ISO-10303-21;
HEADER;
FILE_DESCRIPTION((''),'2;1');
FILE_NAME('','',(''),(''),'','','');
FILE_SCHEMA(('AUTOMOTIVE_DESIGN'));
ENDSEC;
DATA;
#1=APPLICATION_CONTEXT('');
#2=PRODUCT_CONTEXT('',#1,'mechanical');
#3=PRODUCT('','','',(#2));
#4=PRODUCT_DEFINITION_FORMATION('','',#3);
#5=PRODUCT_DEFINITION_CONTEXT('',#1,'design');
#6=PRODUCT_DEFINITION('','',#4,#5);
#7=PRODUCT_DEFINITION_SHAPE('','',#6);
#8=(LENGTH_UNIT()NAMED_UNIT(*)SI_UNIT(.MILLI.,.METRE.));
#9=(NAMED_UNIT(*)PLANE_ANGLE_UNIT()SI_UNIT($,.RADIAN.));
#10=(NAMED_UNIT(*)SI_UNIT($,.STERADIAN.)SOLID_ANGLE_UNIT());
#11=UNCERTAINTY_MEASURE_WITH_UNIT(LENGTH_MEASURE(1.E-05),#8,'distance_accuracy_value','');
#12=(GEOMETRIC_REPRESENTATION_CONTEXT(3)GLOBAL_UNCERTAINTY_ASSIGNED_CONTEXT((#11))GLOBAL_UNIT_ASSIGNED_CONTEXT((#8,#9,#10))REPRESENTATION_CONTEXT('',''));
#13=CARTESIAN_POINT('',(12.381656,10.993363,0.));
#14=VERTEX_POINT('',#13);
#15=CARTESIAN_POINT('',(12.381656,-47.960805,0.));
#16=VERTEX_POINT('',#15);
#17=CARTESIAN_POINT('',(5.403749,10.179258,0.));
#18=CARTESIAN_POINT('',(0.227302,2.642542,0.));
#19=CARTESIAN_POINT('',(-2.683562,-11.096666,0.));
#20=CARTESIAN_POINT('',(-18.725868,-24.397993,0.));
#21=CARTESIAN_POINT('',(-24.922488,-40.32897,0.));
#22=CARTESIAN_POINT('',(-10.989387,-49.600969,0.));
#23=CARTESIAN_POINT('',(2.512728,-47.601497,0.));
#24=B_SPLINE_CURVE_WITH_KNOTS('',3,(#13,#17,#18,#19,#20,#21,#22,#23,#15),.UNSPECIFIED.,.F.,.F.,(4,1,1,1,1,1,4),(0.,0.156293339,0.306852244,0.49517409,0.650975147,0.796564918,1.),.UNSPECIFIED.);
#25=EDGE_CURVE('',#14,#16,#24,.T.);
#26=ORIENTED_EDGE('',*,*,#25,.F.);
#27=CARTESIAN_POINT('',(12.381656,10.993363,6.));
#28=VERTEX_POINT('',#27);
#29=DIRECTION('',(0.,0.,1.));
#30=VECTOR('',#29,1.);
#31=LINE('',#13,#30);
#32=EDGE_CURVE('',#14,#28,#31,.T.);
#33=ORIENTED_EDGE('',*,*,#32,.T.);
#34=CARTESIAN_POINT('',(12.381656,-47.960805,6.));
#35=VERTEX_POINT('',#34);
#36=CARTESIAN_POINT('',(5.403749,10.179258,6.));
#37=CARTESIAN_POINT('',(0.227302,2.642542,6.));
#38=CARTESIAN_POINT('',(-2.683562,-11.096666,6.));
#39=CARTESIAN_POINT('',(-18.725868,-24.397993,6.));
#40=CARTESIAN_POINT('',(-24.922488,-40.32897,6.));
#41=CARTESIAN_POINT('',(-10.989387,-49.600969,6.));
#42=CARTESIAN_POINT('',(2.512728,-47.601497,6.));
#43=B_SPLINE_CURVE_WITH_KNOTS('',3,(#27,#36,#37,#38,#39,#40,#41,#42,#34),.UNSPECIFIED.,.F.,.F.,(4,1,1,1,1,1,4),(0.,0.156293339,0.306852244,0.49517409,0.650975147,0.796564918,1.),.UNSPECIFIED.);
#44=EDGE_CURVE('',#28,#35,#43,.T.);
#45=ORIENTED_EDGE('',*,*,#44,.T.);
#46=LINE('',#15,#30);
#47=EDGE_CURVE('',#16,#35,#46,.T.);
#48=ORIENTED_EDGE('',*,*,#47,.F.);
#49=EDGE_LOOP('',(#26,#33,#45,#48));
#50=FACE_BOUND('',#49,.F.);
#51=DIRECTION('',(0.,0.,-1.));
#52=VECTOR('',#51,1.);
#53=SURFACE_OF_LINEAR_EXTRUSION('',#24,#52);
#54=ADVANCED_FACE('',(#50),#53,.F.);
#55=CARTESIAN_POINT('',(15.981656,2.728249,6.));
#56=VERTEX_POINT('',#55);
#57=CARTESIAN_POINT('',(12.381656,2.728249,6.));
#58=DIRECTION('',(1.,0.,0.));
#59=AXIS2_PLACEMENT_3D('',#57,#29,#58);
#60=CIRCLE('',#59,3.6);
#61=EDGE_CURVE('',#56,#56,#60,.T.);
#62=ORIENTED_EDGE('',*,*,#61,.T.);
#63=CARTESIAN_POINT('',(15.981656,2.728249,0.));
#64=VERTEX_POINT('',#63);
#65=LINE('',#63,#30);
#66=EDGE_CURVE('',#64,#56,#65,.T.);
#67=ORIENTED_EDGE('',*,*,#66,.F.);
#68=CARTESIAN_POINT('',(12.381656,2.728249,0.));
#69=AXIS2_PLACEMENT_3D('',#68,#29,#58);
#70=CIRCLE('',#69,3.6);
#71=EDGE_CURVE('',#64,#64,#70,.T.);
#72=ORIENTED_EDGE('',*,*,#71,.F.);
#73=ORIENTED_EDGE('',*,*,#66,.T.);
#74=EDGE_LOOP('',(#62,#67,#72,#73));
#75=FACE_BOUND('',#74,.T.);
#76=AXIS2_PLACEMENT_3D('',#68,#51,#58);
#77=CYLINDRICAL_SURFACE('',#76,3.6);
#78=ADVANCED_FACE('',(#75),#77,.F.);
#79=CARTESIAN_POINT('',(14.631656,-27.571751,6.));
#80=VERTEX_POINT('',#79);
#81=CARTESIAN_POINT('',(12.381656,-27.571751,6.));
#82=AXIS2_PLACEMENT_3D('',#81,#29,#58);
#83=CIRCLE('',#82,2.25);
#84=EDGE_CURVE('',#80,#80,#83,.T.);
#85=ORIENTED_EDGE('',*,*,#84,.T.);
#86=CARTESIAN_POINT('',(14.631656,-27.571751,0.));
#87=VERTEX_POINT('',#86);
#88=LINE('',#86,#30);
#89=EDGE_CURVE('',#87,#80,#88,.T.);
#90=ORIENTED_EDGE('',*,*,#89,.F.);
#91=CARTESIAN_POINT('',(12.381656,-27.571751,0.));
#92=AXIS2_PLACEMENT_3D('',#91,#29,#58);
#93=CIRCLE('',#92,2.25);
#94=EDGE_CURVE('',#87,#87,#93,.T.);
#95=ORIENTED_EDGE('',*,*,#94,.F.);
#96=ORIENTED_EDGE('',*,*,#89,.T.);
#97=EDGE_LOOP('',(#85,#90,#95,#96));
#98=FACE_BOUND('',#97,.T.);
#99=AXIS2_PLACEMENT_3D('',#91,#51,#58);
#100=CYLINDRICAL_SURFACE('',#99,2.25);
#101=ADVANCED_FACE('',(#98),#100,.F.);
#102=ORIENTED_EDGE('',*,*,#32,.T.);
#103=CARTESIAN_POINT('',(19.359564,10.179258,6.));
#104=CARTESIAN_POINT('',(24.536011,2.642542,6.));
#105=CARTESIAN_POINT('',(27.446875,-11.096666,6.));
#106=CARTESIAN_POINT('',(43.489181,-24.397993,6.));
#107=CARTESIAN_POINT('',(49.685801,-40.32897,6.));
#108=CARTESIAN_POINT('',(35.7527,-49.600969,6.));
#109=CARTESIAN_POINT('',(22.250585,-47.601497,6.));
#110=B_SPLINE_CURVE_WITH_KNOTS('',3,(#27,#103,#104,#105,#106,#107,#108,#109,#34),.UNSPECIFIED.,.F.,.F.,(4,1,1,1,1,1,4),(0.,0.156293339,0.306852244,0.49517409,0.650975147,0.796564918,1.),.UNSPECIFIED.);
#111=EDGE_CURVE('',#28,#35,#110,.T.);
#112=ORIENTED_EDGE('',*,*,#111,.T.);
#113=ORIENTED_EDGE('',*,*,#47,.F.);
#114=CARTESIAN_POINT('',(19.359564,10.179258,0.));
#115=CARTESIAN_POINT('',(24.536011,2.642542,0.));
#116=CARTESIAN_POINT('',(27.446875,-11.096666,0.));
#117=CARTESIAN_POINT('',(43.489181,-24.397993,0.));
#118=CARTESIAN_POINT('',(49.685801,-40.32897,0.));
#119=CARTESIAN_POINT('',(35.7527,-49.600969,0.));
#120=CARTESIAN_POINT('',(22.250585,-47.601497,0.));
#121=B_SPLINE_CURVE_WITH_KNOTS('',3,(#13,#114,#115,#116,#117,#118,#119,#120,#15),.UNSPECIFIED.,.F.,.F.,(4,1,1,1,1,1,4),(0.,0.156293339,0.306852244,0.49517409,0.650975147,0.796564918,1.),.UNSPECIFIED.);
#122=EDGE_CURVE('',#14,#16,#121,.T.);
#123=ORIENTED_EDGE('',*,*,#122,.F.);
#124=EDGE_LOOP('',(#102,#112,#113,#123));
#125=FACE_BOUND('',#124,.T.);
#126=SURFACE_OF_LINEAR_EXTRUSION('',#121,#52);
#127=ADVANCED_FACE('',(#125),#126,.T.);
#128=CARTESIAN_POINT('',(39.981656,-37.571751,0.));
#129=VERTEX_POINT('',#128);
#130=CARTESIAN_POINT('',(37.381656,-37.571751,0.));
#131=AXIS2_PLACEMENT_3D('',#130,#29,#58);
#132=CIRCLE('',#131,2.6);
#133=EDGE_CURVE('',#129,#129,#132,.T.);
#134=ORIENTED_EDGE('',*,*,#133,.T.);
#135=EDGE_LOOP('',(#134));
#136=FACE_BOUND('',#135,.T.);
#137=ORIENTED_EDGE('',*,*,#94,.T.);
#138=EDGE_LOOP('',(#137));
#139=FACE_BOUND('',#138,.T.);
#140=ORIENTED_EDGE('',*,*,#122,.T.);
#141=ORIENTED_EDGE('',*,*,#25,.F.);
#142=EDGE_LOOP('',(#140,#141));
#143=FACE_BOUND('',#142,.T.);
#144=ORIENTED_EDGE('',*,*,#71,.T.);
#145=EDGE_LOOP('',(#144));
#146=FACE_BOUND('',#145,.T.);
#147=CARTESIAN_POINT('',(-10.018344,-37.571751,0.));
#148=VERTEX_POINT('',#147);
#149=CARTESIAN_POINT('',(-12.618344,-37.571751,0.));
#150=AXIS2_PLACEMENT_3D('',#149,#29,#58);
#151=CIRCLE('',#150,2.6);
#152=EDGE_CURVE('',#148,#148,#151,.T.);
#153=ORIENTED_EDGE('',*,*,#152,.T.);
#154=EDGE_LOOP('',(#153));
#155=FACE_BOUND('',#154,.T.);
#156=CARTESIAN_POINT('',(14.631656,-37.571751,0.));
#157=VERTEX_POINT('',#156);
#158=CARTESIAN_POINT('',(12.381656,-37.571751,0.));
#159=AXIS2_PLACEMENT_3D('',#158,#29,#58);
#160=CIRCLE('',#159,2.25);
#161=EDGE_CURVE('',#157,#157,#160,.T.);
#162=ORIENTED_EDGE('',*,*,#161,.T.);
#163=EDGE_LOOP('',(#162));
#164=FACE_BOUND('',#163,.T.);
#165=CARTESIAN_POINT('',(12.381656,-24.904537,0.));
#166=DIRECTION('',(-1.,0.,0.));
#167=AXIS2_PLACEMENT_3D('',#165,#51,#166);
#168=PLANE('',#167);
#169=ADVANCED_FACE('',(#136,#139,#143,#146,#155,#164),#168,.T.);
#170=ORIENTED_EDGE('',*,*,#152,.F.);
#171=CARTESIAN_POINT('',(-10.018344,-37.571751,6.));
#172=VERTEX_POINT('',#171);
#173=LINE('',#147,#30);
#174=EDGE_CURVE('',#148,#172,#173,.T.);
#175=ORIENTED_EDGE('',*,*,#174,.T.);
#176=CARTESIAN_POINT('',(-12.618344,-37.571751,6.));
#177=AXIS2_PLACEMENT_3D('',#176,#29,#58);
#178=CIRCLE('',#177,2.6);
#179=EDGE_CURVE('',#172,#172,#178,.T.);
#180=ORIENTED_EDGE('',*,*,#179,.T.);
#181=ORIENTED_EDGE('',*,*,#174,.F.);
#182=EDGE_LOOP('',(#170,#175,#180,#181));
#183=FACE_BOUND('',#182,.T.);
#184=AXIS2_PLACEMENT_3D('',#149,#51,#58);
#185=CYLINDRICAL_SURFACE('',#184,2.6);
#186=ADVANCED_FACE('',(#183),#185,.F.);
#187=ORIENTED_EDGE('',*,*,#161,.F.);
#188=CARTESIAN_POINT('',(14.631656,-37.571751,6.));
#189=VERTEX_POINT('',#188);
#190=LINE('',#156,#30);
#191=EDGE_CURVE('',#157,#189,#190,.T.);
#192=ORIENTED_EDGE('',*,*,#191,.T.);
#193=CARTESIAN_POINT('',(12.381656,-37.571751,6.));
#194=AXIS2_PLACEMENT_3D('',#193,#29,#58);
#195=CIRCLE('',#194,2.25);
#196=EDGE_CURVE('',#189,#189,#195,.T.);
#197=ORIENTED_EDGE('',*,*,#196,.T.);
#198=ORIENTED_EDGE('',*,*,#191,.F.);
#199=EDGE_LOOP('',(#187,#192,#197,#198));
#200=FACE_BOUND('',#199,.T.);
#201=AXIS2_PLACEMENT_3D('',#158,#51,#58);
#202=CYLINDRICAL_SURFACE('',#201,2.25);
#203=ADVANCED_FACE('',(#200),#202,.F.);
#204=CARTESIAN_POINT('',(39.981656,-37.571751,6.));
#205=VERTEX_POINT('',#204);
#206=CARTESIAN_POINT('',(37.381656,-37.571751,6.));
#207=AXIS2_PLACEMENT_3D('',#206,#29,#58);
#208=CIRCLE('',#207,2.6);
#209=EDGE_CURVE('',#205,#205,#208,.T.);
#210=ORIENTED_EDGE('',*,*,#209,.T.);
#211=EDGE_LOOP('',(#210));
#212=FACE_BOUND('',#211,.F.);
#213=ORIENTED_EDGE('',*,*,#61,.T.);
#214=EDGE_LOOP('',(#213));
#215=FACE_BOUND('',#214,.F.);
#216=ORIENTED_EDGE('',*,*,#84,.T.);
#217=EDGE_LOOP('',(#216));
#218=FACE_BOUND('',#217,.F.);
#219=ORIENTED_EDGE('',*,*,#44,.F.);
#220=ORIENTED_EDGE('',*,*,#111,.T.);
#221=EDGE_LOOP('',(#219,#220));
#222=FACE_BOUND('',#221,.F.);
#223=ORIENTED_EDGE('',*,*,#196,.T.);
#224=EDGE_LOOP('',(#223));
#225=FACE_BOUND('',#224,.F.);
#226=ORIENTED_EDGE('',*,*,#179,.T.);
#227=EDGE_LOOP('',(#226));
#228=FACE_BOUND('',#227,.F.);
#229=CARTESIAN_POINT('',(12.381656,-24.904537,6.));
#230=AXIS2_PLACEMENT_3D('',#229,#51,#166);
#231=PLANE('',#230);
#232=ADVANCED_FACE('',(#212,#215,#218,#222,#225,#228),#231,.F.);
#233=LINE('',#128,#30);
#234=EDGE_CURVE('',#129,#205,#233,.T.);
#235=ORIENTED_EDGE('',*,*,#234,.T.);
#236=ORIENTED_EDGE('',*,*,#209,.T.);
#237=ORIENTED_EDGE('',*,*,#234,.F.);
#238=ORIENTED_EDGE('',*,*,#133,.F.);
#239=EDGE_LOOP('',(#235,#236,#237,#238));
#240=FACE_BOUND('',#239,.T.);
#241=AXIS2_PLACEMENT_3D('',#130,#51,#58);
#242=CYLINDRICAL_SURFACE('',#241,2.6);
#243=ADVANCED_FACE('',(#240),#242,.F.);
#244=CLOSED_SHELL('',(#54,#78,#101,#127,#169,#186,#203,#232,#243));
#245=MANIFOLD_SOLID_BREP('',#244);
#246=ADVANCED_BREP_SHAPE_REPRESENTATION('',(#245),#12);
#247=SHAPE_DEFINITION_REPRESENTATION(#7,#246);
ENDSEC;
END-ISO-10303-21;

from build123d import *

# Parameters (mm, degrees)
F0_R     = 2.6
F0_R_2   = 2.25
F0_R_3   = 3.6
F1_DEPTH = 6


with BuildPart() as f1:
    # F0 (on Top) → F1 (new body)
    with BuildSketch(Plane.XY):
        with BuildLine():
            add(Edge.make_bspline(
                [(12.3816564046, 10.9933634271), (19.3595638757, 10.1792579399), (24.5360108363, 2.6425417879), (27.446875068, -11.0966661954), (43.4891807358, -24.3979927013), (49.6858011865, -40.3289697108), (35.7526995371, -49.6009690165), (22.2505851059, -47.6014968802), (12.3816564046, -47.9608047333)],
                knots=[0, 0, 0, 0, 0.1562933386, 0.3068522442, 0.4951740903, 0.6509751474, 0.7965649178, 1, 1, 1, 1], degree=3))
            add(Edge.make_bspline(
                [(12.3816564046, 10.9933634271), (5.4037489334, 10.1792579399), (0.2273019728, 2.6425417879), (-2.6835622588, -11.0966661954), (-18.7258679267, -24.3979927013), (-24.9224883773, -40.3289697108), (-10.9893867279, -49.6009690165), (2.5127277033, -47.6014968802), (12.3816564046, -47.9608047333)],
                knots=[0, 0, 0, 0, 0.1562933386, 0.3068522442, 0.4951740903, 0.6509751474, 0.7965649178, 1, 1, 1, 1], degree=3))
        make_face()
        with Locations((-12.6183435954, -37.5717511536)):
            Circle(F0_R, mode=Mode.SUBTRACT)
        with Locations((12.3816564046, -37.5717511536)):
            Circle(F0_R_2, mode=Mode.SUBTRACT)
        with Locations((37.3816564046, -37.5717511536)):
            Circle(F0_R, mode=Mode.SUBTRACT)
        with Locations((12.3816564046, -27.5717511536)):
            Circle(F0_R_2, mode=Mode.SUBTRACT)
        with Locations((12.3816564046, 2.7282488464)):
            Circle(F0_R_3, mode=Mode.SUBTRACT)
    extrude(amount=F1_DEPTH)


solid = f1.part
